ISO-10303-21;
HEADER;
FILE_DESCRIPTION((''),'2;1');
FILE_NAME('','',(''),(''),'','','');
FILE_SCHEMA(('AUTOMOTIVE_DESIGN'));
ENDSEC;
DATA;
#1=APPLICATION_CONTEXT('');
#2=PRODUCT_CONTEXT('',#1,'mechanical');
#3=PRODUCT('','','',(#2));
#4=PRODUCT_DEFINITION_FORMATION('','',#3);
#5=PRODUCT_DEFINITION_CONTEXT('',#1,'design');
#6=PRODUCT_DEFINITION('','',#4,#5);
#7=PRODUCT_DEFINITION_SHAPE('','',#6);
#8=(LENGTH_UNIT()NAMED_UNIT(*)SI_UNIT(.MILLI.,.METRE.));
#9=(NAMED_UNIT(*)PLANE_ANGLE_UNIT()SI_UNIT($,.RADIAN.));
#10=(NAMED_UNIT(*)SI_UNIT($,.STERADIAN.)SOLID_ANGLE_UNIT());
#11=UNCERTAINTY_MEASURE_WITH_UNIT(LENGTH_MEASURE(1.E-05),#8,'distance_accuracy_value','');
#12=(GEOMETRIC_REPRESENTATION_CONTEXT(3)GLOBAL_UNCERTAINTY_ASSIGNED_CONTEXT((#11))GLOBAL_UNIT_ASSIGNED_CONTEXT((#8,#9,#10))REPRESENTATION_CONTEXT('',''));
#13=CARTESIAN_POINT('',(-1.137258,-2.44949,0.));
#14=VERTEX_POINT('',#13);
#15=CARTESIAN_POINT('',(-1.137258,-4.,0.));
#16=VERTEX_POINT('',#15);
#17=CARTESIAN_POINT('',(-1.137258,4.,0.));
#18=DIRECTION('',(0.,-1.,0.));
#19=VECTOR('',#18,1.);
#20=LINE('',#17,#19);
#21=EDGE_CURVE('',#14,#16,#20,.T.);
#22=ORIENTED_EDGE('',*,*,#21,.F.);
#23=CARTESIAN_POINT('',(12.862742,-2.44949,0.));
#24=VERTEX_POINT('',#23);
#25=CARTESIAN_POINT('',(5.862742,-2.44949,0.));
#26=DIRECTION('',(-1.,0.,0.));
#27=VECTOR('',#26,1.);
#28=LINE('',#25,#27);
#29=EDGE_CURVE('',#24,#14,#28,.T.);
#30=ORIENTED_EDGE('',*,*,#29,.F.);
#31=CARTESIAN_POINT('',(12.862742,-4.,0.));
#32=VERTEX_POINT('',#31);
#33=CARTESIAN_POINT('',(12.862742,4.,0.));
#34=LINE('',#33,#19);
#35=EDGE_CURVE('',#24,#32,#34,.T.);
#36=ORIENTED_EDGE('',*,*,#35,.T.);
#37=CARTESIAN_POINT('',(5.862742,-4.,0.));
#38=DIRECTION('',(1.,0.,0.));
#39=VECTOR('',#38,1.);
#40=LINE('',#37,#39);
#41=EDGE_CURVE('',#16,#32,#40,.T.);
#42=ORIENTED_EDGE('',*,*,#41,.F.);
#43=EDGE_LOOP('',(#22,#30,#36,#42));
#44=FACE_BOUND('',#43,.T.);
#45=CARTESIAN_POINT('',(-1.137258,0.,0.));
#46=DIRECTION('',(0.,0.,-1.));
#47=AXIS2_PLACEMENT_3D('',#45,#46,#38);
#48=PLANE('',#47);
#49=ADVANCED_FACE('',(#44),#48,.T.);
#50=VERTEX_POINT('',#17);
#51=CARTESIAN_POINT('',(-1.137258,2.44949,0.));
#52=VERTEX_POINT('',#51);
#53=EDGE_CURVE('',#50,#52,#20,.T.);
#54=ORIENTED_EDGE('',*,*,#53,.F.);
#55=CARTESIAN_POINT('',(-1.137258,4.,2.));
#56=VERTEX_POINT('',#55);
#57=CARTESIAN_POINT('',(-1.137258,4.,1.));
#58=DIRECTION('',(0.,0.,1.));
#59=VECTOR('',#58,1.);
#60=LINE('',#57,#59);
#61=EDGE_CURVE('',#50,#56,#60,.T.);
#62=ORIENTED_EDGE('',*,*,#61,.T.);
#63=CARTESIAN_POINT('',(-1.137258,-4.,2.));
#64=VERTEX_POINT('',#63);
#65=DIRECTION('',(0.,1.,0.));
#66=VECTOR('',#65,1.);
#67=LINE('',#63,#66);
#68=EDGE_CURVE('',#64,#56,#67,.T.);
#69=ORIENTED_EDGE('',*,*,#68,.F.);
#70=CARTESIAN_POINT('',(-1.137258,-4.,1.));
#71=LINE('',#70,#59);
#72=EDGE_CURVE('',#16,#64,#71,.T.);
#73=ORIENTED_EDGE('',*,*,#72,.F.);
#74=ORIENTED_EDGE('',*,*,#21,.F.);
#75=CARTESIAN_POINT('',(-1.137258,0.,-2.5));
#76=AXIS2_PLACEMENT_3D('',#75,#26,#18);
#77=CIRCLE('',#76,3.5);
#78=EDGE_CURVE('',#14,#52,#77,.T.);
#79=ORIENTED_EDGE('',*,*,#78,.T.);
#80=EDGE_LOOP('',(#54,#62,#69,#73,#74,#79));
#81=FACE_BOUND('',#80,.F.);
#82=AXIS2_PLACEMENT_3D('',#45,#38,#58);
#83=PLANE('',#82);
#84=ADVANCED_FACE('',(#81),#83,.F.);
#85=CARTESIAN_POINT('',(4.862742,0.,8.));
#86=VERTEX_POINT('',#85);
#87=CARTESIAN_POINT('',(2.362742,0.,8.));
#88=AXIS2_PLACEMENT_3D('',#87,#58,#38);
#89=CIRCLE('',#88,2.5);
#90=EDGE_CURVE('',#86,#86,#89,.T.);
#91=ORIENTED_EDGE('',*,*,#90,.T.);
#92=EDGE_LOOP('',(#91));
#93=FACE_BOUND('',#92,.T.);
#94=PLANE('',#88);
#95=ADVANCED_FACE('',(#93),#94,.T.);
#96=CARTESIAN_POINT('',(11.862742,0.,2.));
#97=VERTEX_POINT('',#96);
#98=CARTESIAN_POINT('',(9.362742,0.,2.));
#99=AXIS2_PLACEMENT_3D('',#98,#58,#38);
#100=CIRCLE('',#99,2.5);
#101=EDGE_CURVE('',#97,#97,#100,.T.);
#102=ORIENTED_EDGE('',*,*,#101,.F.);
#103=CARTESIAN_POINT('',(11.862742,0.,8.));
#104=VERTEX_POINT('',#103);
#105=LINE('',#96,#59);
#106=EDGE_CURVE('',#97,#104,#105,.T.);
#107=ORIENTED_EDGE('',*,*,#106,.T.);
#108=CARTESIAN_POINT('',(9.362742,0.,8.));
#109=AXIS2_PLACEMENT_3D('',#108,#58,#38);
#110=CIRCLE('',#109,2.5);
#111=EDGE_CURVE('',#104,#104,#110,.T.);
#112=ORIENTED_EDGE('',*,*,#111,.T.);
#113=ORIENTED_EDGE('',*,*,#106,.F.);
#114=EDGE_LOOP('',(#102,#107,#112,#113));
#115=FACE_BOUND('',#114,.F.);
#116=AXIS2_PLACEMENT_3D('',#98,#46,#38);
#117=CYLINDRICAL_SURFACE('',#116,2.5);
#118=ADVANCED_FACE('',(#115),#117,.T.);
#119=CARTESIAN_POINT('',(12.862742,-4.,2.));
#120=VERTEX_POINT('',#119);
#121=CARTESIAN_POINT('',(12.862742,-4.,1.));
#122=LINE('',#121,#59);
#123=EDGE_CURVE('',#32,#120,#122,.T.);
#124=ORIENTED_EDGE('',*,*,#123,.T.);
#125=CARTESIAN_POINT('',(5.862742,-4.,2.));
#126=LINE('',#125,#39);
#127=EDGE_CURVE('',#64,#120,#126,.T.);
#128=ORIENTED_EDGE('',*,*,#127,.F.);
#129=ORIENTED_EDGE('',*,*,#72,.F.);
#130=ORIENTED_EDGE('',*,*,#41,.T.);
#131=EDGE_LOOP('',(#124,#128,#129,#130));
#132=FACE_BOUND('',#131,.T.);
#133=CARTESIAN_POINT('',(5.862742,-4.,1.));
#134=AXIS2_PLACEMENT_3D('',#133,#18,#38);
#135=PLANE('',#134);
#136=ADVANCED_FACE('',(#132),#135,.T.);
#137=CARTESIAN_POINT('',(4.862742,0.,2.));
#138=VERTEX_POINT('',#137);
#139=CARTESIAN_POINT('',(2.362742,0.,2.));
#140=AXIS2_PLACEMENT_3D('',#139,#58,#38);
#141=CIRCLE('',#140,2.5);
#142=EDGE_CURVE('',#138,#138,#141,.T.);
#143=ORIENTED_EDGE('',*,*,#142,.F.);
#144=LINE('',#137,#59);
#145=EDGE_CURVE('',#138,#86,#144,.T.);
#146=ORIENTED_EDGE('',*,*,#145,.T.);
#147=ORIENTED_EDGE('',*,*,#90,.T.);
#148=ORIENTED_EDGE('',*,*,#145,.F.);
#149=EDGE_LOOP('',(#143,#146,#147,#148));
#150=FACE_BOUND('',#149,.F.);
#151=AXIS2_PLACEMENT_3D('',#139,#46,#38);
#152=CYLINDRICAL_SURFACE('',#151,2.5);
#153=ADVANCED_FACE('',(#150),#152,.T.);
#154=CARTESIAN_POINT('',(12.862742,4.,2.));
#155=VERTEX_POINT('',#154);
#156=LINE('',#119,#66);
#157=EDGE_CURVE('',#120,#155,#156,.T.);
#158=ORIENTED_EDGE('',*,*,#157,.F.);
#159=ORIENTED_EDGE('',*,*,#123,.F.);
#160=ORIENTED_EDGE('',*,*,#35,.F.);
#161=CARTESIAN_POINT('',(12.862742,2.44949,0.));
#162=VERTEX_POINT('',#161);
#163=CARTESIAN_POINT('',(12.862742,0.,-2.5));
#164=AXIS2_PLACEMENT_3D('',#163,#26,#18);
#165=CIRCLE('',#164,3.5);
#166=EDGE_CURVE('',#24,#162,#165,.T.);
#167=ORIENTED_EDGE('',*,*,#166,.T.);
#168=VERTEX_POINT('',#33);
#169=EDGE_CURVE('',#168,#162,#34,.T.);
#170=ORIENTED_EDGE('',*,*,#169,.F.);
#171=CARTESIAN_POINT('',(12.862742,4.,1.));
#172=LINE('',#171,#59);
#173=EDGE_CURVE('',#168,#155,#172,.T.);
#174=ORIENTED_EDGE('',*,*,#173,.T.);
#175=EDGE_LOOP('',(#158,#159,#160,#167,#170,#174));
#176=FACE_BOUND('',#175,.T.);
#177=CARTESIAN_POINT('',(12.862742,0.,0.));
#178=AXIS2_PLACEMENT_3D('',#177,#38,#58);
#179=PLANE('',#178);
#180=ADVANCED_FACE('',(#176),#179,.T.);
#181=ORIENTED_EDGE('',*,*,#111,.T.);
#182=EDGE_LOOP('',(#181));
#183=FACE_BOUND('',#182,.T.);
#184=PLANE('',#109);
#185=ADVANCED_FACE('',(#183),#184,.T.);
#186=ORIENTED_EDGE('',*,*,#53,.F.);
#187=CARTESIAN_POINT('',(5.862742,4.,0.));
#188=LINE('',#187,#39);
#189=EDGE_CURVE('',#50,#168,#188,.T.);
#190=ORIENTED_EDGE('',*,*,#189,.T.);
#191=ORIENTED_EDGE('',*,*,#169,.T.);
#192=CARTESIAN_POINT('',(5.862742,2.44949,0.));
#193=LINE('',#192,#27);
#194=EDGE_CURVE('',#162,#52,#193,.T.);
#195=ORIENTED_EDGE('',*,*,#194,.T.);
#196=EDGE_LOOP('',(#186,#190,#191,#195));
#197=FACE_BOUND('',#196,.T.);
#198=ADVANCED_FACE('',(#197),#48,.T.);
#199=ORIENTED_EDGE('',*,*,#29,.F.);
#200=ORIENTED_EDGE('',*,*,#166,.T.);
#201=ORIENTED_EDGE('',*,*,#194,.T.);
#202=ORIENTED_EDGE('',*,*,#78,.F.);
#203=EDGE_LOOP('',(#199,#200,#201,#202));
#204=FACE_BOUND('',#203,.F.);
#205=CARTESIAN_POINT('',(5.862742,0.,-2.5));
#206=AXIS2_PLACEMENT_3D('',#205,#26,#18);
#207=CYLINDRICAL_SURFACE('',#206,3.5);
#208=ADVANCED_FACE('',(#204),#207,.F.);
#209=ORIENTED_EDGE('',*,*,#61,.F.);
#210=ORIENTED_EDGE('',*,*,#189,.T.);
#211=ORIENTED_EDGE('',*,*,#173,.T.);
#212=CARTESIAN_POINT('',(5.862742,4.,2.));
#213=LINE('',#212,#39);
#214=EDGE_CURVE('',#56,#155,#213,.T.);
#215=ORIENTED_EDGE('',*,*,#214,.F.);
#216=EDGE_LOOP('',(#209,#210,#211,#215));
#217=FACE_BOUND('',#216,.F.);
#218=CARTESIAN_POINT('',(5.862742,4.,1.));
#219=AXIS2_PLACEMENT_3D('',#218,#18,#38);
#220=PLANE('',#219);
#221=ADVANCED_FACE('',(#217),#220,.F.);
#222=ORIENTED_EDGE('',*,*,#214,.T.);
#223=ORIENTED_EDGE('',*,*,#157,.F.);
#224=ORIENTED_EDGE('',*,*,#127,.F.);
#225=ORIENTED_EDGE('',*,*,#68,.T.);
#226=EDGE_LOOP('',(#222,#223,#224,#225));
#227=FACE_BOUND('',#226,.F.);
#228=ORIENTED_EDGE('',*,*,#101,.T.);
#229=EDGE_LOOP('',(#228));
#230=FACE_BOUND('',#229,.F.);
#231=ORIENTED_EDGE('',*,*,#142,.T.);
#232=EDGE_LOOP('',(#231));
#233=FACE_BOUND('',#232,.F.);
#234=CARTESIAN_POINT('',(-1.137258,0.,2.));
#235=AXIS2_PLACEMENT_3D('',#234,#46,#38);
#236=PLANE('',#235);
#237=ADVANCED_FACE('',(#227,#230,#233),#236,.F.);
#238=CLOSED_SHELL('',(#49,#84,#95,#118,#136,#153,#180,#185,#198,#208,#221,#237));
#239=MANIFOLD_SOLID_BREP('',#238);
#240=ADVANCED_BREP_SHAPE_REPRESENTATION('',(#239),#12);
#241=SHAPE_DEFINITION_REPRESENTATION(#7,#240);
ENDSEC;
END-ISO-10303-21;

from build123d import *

# Parameters (mm, degrees)
F0_W     = 14
F0_H     = 2
F1_DEPTH = 4
F2_R     = 2.5
F3_DEPTH = 6
F5_R     = 3.5
F6_DEPTH = 12.7


with BuildPart() as f1:
    # F0 (on Front) → F1 (new body, symmetric)
    with BuildSketch(Plane.XZ):
        with Locations((5.8627421725, 1)):
            Rectangle(F0_W, F0_H)
    extrude(amount=F1_DEPTH, both=True)

    # F2 (on face) → F3 (join)
    with BuildSketch(Plane.XY.offset(2)):
        with Locations((9.3627421725, 0)):
            Circle(F2_R)
        with Locations((2.3627421725, 0)):
            Circle(F2_R)
    extrude(amount=F3_DEPTH)

    # F5 (on mid) → F6 (cut, symmetric)
    with BuildSketch(Plane(origin=(5.8627421725, 0, 0), x_dir=(0, -1, 0), z_dir=(-1, 0, 0))):
        with Locations((0, -2.5)):
            Circle(F5_R)
    extrude(amount=F6_DEPTH, both=True, mode=Mode.SUBTRACT)


solid = f1.part
